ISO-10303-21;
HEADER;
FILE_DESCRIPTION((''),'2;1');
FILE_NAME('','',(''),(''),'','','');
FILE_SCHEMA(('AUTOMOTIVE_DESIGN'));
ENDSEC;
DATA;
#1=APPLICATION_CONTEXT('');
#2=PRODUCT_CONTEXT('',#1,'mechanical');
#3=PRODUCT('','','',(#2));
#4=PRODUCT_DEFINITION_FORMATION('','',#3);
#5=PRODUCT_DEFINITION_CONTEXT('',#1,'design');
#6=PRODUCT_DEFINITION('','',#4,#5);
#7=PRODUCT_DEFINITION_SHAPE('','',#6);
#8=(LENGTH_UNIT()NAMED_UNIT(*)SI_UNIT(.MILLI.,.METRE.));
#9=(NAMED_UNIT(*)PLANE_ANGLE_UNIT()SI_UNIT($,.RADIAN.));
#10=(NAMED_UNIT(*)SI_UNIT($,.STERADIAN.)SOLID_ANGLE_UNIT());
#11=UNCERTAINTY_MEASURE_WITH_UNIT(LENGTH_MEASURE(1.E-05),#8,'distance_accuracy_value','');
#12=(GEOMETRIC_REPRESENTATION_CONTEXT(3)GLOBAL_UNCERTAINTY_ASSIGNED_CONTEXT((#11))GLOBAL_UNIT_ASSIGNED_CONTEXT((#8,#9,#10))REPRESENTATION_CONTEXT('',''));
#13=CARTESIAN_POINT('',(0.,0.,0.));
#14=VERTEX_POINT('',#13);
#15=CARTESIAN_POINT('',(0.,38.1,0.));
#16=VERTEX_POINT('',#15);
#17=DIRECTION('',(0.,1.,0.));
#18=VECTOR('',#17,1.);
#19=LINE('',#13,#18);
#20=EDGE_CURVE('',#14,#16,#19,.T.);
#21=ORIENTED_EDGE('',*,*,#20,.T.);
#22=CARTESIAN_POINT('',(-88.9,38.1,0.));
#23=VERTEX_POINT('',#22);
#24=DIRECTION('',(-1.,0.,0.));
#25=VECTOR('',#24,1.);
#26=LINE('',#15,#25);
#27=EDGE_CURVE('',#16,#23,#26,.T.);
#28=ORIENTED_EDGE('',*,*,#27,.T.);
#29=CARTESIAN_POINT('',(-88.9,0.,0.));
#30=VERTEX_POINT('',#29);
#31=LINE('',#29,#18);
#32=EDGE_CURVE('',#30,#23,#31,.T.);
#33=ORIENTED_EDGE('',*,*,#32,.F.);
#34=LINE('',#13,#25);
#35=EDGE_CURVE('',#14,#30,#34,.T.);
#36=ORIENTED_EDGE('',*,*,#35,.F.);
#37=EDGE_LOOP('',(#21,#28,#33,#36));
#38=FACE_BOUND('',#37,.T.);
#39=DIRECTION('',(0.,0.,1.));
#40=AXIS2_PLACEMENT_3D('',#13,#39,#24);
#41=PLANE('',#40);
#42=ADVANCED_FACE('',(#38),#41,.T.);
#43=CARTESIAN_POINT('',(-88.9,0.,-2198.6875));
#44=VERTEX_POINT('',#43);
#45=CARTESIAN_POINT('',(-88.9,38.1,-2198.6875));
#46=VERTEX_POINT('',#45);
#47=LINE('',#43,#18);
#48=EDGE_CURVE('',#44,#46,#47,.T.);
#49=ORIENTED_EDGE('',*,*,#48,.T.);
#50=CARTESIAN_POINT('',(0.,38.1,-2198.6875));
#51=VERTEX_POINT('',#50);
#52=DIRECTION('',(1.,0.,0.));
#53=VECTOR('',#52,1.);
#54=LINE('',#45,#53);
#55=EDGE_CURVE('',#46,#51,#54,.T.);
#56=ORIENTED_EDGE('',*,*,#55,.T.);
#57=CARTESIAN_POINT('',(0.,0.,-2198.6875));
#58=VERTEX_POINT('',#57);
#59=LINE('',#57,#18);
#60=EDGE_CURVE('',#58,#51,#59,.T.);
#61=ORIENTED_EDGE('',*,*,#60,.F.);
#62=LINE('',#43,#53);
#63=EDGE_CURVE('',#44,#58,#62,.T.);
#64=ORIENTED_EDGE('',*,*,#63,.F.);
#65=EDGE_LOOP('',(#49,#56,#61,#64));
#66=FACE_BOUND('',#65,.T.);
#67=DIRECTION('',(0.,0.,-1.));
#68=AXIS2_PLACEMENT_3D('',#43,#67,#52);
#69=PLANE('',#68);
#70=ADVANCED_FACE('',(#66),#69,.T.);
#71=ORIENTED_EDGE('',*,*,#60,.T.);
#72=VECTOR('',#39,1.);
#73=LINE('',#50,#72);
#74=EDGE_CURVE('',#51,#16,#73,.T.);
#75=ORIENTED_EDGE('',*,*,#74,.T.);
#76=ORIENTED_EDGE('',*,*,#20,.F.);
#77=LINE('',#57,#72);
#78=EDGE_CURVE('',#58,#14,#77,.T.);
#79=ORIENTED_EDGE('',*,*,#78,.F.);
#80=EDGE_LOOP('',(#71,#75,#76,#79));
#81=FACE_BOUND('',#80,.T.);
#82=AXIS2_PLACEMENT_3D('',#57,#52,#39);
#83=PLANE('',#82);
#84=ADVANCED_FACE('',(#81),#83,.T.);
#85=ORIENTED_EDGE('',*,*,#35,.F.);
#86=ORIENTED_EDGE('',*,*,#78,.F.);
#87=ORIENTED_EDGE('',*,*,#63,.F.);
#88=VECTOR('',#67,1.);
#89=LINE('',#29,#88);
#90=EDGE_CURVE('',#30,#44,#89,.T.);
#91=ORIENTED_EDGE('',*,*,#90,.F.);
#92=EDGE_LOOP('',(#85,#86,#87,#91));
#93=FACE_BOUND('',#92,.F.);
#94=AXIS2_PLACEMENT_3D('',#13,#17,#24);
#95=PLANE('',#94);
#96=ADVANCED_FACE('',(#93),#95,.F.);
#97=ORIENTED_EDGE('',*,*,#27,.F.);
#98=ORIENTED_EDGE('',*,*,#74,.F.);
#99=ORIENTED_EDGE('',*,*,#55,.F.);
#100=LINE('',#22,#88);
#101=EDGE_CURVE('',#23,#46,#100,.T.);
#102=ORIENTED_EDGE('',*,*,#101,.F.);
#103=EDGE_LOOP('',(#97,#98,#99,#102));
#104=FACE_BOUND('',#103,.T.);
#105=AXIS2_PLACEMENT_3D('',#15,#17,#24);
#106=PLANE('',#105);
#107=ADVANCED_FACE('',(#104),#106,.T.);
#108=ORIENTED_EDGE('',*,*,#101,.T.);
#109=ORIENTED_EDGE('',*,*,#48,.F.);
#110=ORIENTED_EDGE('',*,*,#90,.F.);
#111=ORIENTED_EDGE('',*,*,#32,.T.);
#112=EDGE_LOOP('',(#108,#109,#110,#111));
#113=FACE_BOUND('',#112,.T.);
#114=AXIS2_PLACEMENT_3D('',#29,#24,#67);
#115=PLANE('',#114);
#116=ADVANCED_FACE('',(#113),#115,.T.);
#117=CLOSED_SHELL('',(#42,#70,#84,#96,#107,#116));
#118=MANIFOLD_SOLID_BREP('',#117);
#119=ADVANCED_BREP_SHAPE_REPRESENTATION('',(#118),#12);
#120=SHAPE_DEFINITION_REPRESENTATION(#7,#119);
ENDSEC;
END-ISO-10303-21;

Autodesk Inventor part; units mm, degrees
ref_plane "YZ Plane" through (0, 0, 0) normal (1, 0, 0) x (0, 1, 0)
ref_plane "XZ Plane" through (0, 0, 0) normal (0, 1, 0) x (-1, 0, 0)
ref_plane "XY Plane" through (0, 0, 0) normal (0, 0, 1) x (1, 0, 0)
sketch "Sketch1" plane through (0, 0, 0) normal (0, 1, 0) x (-1, 0, 0)
  line L0 (0, 0) -> (88.9, 0)
  line L1 (88.9, 0) -> (88.9, -2198.6875)
  line L2 (88.9, -2198.6875) -> (0, -2198.6875)
  line L3 (0, -2198.6875) -> (0, 0)
  dimension "d1" = 88.9
  dimension "d4" = 2198.6875
extrude "Extrusion1" add sketch "Sketch1" along normal blind 38.1
sketch "Sketch2" plane through (-88.9, 0, -2198.6875) normal (-1, 0, 0) x (0, 0, 1)
  line L0 (0, 423.1077) -> (739.775, 423.1077) construction
  line L1 (739.775, 423.1077) -> (739.775, -68.2625) construction
  line L2 (739.775, -68.2625) -> (0, -68.2625) construction
  line L3 (0, -68.2625) -> (0, 423.1077) construction
  line L4 (0, 0) -> (0, 38.1) projected
  line L5 (0, 0) -> (2198.6875, 0) projected
  dimension "d6" = 739.775
  dimension "d14" = 68.2625
properties part number "Plate_With_Length_90.75_Inches" material "Wood (Birch)"
